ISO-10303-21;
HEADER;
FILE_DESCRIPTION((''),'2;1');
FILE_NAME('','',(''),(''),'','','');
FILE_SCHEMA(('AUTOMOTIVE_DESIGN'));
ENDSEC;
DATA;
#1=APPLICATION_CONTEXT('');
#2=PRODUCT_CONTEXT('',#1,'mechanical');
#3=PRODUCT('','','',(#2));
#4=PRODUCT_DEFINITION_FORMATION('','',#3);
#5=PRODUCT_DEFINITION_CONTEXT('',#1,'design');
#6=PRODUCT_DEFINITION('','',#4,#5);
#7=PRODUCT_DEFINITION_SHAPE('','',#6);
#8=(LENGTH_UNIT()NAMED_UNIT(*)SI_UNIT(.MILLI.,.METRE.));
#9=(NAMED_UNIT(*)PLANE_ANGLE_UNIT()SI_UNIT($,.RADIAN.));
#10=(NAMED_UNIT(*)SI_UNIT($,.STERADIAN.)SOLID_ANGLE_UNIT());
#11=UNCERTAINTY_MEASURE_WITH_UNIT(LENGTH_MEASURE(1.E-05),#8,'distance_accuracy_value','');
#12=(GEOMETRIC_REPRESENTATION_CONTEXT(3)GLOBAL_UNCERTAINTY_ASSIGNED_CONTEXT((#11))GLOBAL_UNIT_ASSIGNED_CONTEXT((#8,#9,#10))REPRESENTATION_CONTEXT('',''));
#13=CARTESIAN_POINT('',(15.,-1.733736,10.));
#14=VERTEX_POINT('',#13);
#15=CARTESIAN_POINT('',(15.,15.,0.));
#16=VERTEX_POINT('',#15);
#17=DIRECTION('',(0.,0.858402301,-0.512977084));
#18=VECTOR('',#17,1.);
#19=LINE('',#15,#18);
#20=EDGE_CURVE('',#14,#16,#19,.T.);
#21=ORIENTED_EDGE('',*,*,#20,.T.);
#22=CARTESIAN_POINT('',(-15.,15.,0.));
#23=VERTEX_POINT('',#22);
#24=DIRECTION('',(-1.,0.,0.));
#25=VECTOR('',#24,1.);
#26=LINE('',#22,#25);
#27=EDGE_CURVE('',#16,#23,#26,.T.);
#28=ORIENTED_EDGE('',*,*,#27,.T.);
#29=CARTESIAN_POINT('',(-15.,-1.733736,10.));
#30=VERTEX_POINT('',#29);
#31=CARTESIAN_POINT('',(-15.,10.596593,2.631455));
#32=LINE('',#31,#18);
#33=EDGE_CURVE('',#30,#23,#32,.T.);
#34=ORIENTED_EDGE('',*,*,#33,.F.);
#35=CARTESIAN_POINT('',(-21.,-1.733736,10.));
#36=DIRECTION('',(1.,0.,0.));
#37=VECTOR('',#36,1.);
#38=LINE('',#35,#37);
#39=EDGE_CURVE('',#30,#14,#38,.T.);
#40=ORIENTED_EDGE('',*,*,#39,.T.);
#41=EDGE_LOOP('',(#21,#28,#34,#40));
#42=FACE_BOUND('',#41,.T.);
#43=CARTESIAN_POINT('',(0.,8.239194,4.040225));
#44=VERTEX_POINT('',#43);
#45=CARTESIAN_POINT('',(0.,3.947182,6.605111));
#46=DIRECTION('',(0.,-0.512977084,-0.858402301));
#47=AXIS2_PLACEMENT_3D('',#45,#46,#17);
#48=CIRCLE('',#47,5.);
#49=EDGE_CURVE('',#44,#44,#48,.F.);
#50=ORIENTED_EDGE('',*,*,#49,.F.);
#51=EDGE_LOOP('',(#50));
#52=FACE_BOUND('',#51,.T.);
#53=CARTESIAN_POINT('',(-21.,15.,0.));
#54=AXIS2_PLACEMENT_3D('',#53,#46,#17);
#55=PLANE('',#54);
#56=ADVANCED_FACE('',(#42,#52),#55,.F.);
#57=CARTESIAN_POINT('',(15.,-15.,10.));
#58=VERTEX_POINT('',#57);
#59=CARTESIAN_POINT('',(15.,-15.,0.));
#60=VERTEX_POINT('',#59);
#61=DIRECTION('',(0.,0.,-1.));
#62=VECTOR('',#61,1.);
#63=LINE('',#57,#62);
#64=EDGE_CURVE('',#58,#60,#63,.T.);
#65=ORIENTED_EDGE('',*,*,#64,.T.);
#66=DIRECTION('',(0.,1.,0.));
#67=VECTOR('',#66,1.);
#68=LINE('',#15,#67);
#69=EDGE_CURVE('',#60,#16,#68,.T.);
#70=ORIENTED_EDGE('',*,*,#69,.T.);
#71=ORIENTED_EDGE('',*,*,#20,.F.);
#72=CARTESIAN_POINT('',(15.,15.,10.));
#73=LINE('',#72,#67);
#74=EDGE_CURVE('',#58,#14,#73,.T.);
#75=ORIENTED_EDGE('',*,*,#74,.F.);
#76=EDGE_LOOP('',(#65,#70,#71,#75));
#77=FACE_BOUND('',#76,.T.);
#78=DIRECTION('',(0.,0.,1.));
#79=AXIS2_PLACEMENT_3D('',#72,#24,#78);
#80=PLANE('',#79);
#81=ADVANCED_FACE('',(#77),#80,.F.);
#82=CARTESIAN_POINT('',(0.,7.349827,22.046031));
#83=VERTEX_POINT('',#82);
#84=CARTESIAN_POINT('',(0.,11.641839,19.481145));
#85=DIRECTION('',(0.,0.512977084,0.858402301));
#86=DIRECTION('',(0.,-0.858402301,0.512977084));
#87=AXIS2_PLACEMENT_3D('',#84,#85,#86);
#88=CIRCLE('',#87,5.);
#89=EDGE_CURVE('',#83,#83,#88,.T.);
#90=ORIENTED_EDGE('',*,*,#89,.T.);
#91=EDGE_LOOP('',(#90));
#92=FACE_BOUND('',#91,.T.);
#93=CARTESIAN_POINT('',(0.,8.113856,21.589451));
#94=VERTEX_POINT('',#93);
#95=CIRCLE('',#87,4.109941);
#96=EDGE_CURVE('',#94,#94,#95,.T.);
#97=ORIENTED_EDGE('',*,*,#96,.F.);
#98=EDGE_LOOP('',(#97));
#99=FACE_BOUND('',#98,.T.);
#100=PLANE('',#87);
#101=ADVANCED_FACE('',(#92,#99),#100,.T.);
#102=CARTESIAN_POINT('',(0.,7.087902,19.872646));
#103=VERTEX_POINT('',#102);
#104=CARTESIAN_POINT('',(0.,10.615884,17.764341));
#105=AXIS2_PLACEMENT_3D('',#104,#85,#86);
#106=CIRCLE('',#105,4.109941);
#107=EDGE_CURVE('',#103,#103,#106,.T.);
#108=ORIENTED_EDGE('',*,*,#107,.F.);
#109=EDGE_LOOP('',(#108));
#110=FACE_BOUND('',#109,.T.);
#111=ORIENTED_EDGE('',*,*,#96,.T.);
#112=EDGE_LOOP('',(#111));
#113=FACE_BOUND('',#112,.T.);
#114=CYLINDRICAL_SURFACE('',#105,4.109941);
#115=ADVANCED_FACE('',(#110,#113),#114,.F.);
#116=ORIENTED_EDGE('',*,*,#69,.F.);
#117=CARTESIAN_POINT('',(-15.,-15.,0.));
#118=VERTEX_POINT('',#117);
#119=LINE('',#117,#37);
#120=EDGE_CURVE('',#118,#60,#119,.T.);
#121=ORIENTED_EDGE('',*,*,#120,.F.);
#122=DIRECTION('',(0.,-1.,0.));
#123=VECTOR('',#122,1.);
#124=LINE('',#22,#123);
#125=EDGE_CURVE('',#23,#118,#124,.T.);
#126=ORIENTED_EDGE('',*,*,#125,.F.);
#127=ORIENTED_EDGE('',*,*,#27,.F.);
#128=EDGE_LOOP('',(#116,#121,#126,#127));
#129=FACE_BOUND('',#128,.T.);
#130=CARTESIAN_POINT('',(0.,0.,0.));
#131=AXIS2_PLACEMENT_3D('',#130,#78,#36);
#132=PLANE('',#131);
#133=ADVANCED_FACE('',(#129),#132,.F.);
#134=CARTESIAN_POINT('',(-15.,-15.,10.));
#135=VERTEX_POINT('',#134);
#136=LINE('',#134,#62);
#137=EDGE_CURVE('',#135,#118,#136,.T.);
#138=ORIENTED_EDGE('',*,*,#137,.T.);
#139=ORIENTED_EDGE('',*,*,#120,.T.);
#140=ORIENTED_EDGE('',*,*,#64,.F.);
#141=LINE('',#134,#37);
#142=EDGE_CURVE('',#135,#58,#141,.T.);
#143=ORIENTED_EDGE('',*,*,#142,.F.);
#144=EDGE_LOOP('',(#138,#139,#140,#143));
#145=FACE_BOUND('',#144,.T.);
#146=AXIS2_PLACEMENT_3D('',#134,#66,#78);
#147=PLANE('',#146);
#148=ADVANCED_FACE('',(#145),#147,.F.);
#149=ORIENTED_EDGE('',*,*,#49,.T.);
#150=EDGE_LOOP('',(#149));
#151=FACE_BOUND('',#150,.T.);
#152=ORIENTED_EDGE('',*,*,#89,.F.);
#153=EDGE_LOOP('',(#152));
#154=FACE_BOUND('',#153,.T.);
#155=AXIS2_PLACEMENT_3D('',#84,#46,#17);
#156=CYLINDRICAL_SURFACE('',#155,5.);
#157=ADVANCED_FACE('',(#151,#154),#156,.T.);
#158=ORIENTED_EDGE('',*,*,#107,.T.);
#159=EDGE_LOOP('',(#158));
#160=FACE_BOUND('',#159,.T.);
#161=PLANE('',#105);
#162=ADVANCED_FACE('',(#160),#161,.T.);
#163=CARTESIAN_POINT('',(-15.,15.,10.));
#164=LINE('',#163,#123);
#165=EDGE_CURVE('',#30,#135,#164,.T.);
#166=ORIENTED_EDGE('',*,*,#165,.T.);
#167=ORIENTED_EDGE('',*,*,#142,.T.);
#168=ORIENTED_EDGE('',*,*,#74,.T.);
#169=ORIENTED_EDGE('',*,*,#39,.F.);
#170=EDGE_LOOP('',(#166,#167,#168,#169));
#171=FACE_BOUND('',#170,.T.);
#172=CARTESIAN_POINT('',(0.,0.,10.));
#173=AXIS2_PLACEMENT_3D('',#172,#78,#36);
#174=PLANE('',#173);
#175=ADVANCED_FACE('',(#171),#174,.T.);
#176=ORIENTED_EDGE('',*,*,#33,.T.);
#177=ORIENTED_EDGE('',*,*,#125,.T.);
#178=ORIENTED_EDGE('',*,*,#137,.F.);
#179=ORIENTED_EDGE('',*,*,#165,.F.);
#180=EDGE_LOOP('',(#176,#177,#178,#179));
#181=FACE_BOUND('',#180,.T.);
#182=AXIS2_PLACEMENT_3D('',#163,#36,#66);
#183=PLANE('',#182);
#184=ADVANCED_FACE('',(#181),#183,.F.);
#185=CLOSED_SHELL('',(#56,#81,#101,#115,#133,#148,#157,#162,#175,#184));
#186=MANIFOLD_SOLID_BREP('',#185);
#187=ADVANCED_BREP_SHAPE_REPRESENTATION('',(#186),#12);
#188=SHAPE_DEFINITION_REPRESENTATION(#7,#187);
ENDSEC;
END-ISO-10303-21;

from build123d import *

# Parameters (mm, degrees)
SKETCH2_W           = 30
SKETCH2_H           = 30
BOSS_EXTRUDE2_DEPTH = 10
CUT_EXTRUDE2_DEPTH  = 36
SKETCH6_R           = 5
BOSS_EXTRUDE3_DEPTH = 15
SKETCH7_R           = 4.109940847
CUT_EXTRUDE3_DEPTH  = 2


with BuildPart() as part:
    # Sketch2 → Boss-Extrude2 (new body)
    with BuildSketch(Plane.XY):
        Rectangle(SKETCH2_W, SKETCH2_H)
    extrude(amount=BOSS_EXTRUDE2_DEPTH)

    # Sketch5 → Cut-Extrude2 (cut)
    with BuildSketch(Plane(origin=(15, 0, 0), x_dir=(0, 0, -1), z_dir=(1, 0, 0))):
        Polygon((0, 15), (-10, -1.73373583), (-10, 15), align=None)
    extrude(amount=-CUT_EXTRUDE2_DEPTH, mode=Mode.SUBTRACT)

    # Sketch6 → Boss-Extrude3 (add)
    with BuildSketch(Plane(origin=(0, 3.947182334, 6.605110645), x_dir=(1, 0, 0), z_dir=(0, 0.512977084, 0.858402301))):
        Circle(SKETCH6_R)
    extrude(amount=BOSS_EXTRUDE3_DEPTH)

    # Sketch7 → Cut-Extrude3 (cut)
    with BuildSketch(Plane(origin=(0, 11.641838597, 19.481145166), x_dir=(1, 0, 0), z_dir=(0, 0.512977084, 0.858402301))):
        Circle(SKETCH7_R)
    extrude(amount=-CUT_EXTRUDE3_DEPTH, mode=Mode.SUBTRACT)


solid = part.part
